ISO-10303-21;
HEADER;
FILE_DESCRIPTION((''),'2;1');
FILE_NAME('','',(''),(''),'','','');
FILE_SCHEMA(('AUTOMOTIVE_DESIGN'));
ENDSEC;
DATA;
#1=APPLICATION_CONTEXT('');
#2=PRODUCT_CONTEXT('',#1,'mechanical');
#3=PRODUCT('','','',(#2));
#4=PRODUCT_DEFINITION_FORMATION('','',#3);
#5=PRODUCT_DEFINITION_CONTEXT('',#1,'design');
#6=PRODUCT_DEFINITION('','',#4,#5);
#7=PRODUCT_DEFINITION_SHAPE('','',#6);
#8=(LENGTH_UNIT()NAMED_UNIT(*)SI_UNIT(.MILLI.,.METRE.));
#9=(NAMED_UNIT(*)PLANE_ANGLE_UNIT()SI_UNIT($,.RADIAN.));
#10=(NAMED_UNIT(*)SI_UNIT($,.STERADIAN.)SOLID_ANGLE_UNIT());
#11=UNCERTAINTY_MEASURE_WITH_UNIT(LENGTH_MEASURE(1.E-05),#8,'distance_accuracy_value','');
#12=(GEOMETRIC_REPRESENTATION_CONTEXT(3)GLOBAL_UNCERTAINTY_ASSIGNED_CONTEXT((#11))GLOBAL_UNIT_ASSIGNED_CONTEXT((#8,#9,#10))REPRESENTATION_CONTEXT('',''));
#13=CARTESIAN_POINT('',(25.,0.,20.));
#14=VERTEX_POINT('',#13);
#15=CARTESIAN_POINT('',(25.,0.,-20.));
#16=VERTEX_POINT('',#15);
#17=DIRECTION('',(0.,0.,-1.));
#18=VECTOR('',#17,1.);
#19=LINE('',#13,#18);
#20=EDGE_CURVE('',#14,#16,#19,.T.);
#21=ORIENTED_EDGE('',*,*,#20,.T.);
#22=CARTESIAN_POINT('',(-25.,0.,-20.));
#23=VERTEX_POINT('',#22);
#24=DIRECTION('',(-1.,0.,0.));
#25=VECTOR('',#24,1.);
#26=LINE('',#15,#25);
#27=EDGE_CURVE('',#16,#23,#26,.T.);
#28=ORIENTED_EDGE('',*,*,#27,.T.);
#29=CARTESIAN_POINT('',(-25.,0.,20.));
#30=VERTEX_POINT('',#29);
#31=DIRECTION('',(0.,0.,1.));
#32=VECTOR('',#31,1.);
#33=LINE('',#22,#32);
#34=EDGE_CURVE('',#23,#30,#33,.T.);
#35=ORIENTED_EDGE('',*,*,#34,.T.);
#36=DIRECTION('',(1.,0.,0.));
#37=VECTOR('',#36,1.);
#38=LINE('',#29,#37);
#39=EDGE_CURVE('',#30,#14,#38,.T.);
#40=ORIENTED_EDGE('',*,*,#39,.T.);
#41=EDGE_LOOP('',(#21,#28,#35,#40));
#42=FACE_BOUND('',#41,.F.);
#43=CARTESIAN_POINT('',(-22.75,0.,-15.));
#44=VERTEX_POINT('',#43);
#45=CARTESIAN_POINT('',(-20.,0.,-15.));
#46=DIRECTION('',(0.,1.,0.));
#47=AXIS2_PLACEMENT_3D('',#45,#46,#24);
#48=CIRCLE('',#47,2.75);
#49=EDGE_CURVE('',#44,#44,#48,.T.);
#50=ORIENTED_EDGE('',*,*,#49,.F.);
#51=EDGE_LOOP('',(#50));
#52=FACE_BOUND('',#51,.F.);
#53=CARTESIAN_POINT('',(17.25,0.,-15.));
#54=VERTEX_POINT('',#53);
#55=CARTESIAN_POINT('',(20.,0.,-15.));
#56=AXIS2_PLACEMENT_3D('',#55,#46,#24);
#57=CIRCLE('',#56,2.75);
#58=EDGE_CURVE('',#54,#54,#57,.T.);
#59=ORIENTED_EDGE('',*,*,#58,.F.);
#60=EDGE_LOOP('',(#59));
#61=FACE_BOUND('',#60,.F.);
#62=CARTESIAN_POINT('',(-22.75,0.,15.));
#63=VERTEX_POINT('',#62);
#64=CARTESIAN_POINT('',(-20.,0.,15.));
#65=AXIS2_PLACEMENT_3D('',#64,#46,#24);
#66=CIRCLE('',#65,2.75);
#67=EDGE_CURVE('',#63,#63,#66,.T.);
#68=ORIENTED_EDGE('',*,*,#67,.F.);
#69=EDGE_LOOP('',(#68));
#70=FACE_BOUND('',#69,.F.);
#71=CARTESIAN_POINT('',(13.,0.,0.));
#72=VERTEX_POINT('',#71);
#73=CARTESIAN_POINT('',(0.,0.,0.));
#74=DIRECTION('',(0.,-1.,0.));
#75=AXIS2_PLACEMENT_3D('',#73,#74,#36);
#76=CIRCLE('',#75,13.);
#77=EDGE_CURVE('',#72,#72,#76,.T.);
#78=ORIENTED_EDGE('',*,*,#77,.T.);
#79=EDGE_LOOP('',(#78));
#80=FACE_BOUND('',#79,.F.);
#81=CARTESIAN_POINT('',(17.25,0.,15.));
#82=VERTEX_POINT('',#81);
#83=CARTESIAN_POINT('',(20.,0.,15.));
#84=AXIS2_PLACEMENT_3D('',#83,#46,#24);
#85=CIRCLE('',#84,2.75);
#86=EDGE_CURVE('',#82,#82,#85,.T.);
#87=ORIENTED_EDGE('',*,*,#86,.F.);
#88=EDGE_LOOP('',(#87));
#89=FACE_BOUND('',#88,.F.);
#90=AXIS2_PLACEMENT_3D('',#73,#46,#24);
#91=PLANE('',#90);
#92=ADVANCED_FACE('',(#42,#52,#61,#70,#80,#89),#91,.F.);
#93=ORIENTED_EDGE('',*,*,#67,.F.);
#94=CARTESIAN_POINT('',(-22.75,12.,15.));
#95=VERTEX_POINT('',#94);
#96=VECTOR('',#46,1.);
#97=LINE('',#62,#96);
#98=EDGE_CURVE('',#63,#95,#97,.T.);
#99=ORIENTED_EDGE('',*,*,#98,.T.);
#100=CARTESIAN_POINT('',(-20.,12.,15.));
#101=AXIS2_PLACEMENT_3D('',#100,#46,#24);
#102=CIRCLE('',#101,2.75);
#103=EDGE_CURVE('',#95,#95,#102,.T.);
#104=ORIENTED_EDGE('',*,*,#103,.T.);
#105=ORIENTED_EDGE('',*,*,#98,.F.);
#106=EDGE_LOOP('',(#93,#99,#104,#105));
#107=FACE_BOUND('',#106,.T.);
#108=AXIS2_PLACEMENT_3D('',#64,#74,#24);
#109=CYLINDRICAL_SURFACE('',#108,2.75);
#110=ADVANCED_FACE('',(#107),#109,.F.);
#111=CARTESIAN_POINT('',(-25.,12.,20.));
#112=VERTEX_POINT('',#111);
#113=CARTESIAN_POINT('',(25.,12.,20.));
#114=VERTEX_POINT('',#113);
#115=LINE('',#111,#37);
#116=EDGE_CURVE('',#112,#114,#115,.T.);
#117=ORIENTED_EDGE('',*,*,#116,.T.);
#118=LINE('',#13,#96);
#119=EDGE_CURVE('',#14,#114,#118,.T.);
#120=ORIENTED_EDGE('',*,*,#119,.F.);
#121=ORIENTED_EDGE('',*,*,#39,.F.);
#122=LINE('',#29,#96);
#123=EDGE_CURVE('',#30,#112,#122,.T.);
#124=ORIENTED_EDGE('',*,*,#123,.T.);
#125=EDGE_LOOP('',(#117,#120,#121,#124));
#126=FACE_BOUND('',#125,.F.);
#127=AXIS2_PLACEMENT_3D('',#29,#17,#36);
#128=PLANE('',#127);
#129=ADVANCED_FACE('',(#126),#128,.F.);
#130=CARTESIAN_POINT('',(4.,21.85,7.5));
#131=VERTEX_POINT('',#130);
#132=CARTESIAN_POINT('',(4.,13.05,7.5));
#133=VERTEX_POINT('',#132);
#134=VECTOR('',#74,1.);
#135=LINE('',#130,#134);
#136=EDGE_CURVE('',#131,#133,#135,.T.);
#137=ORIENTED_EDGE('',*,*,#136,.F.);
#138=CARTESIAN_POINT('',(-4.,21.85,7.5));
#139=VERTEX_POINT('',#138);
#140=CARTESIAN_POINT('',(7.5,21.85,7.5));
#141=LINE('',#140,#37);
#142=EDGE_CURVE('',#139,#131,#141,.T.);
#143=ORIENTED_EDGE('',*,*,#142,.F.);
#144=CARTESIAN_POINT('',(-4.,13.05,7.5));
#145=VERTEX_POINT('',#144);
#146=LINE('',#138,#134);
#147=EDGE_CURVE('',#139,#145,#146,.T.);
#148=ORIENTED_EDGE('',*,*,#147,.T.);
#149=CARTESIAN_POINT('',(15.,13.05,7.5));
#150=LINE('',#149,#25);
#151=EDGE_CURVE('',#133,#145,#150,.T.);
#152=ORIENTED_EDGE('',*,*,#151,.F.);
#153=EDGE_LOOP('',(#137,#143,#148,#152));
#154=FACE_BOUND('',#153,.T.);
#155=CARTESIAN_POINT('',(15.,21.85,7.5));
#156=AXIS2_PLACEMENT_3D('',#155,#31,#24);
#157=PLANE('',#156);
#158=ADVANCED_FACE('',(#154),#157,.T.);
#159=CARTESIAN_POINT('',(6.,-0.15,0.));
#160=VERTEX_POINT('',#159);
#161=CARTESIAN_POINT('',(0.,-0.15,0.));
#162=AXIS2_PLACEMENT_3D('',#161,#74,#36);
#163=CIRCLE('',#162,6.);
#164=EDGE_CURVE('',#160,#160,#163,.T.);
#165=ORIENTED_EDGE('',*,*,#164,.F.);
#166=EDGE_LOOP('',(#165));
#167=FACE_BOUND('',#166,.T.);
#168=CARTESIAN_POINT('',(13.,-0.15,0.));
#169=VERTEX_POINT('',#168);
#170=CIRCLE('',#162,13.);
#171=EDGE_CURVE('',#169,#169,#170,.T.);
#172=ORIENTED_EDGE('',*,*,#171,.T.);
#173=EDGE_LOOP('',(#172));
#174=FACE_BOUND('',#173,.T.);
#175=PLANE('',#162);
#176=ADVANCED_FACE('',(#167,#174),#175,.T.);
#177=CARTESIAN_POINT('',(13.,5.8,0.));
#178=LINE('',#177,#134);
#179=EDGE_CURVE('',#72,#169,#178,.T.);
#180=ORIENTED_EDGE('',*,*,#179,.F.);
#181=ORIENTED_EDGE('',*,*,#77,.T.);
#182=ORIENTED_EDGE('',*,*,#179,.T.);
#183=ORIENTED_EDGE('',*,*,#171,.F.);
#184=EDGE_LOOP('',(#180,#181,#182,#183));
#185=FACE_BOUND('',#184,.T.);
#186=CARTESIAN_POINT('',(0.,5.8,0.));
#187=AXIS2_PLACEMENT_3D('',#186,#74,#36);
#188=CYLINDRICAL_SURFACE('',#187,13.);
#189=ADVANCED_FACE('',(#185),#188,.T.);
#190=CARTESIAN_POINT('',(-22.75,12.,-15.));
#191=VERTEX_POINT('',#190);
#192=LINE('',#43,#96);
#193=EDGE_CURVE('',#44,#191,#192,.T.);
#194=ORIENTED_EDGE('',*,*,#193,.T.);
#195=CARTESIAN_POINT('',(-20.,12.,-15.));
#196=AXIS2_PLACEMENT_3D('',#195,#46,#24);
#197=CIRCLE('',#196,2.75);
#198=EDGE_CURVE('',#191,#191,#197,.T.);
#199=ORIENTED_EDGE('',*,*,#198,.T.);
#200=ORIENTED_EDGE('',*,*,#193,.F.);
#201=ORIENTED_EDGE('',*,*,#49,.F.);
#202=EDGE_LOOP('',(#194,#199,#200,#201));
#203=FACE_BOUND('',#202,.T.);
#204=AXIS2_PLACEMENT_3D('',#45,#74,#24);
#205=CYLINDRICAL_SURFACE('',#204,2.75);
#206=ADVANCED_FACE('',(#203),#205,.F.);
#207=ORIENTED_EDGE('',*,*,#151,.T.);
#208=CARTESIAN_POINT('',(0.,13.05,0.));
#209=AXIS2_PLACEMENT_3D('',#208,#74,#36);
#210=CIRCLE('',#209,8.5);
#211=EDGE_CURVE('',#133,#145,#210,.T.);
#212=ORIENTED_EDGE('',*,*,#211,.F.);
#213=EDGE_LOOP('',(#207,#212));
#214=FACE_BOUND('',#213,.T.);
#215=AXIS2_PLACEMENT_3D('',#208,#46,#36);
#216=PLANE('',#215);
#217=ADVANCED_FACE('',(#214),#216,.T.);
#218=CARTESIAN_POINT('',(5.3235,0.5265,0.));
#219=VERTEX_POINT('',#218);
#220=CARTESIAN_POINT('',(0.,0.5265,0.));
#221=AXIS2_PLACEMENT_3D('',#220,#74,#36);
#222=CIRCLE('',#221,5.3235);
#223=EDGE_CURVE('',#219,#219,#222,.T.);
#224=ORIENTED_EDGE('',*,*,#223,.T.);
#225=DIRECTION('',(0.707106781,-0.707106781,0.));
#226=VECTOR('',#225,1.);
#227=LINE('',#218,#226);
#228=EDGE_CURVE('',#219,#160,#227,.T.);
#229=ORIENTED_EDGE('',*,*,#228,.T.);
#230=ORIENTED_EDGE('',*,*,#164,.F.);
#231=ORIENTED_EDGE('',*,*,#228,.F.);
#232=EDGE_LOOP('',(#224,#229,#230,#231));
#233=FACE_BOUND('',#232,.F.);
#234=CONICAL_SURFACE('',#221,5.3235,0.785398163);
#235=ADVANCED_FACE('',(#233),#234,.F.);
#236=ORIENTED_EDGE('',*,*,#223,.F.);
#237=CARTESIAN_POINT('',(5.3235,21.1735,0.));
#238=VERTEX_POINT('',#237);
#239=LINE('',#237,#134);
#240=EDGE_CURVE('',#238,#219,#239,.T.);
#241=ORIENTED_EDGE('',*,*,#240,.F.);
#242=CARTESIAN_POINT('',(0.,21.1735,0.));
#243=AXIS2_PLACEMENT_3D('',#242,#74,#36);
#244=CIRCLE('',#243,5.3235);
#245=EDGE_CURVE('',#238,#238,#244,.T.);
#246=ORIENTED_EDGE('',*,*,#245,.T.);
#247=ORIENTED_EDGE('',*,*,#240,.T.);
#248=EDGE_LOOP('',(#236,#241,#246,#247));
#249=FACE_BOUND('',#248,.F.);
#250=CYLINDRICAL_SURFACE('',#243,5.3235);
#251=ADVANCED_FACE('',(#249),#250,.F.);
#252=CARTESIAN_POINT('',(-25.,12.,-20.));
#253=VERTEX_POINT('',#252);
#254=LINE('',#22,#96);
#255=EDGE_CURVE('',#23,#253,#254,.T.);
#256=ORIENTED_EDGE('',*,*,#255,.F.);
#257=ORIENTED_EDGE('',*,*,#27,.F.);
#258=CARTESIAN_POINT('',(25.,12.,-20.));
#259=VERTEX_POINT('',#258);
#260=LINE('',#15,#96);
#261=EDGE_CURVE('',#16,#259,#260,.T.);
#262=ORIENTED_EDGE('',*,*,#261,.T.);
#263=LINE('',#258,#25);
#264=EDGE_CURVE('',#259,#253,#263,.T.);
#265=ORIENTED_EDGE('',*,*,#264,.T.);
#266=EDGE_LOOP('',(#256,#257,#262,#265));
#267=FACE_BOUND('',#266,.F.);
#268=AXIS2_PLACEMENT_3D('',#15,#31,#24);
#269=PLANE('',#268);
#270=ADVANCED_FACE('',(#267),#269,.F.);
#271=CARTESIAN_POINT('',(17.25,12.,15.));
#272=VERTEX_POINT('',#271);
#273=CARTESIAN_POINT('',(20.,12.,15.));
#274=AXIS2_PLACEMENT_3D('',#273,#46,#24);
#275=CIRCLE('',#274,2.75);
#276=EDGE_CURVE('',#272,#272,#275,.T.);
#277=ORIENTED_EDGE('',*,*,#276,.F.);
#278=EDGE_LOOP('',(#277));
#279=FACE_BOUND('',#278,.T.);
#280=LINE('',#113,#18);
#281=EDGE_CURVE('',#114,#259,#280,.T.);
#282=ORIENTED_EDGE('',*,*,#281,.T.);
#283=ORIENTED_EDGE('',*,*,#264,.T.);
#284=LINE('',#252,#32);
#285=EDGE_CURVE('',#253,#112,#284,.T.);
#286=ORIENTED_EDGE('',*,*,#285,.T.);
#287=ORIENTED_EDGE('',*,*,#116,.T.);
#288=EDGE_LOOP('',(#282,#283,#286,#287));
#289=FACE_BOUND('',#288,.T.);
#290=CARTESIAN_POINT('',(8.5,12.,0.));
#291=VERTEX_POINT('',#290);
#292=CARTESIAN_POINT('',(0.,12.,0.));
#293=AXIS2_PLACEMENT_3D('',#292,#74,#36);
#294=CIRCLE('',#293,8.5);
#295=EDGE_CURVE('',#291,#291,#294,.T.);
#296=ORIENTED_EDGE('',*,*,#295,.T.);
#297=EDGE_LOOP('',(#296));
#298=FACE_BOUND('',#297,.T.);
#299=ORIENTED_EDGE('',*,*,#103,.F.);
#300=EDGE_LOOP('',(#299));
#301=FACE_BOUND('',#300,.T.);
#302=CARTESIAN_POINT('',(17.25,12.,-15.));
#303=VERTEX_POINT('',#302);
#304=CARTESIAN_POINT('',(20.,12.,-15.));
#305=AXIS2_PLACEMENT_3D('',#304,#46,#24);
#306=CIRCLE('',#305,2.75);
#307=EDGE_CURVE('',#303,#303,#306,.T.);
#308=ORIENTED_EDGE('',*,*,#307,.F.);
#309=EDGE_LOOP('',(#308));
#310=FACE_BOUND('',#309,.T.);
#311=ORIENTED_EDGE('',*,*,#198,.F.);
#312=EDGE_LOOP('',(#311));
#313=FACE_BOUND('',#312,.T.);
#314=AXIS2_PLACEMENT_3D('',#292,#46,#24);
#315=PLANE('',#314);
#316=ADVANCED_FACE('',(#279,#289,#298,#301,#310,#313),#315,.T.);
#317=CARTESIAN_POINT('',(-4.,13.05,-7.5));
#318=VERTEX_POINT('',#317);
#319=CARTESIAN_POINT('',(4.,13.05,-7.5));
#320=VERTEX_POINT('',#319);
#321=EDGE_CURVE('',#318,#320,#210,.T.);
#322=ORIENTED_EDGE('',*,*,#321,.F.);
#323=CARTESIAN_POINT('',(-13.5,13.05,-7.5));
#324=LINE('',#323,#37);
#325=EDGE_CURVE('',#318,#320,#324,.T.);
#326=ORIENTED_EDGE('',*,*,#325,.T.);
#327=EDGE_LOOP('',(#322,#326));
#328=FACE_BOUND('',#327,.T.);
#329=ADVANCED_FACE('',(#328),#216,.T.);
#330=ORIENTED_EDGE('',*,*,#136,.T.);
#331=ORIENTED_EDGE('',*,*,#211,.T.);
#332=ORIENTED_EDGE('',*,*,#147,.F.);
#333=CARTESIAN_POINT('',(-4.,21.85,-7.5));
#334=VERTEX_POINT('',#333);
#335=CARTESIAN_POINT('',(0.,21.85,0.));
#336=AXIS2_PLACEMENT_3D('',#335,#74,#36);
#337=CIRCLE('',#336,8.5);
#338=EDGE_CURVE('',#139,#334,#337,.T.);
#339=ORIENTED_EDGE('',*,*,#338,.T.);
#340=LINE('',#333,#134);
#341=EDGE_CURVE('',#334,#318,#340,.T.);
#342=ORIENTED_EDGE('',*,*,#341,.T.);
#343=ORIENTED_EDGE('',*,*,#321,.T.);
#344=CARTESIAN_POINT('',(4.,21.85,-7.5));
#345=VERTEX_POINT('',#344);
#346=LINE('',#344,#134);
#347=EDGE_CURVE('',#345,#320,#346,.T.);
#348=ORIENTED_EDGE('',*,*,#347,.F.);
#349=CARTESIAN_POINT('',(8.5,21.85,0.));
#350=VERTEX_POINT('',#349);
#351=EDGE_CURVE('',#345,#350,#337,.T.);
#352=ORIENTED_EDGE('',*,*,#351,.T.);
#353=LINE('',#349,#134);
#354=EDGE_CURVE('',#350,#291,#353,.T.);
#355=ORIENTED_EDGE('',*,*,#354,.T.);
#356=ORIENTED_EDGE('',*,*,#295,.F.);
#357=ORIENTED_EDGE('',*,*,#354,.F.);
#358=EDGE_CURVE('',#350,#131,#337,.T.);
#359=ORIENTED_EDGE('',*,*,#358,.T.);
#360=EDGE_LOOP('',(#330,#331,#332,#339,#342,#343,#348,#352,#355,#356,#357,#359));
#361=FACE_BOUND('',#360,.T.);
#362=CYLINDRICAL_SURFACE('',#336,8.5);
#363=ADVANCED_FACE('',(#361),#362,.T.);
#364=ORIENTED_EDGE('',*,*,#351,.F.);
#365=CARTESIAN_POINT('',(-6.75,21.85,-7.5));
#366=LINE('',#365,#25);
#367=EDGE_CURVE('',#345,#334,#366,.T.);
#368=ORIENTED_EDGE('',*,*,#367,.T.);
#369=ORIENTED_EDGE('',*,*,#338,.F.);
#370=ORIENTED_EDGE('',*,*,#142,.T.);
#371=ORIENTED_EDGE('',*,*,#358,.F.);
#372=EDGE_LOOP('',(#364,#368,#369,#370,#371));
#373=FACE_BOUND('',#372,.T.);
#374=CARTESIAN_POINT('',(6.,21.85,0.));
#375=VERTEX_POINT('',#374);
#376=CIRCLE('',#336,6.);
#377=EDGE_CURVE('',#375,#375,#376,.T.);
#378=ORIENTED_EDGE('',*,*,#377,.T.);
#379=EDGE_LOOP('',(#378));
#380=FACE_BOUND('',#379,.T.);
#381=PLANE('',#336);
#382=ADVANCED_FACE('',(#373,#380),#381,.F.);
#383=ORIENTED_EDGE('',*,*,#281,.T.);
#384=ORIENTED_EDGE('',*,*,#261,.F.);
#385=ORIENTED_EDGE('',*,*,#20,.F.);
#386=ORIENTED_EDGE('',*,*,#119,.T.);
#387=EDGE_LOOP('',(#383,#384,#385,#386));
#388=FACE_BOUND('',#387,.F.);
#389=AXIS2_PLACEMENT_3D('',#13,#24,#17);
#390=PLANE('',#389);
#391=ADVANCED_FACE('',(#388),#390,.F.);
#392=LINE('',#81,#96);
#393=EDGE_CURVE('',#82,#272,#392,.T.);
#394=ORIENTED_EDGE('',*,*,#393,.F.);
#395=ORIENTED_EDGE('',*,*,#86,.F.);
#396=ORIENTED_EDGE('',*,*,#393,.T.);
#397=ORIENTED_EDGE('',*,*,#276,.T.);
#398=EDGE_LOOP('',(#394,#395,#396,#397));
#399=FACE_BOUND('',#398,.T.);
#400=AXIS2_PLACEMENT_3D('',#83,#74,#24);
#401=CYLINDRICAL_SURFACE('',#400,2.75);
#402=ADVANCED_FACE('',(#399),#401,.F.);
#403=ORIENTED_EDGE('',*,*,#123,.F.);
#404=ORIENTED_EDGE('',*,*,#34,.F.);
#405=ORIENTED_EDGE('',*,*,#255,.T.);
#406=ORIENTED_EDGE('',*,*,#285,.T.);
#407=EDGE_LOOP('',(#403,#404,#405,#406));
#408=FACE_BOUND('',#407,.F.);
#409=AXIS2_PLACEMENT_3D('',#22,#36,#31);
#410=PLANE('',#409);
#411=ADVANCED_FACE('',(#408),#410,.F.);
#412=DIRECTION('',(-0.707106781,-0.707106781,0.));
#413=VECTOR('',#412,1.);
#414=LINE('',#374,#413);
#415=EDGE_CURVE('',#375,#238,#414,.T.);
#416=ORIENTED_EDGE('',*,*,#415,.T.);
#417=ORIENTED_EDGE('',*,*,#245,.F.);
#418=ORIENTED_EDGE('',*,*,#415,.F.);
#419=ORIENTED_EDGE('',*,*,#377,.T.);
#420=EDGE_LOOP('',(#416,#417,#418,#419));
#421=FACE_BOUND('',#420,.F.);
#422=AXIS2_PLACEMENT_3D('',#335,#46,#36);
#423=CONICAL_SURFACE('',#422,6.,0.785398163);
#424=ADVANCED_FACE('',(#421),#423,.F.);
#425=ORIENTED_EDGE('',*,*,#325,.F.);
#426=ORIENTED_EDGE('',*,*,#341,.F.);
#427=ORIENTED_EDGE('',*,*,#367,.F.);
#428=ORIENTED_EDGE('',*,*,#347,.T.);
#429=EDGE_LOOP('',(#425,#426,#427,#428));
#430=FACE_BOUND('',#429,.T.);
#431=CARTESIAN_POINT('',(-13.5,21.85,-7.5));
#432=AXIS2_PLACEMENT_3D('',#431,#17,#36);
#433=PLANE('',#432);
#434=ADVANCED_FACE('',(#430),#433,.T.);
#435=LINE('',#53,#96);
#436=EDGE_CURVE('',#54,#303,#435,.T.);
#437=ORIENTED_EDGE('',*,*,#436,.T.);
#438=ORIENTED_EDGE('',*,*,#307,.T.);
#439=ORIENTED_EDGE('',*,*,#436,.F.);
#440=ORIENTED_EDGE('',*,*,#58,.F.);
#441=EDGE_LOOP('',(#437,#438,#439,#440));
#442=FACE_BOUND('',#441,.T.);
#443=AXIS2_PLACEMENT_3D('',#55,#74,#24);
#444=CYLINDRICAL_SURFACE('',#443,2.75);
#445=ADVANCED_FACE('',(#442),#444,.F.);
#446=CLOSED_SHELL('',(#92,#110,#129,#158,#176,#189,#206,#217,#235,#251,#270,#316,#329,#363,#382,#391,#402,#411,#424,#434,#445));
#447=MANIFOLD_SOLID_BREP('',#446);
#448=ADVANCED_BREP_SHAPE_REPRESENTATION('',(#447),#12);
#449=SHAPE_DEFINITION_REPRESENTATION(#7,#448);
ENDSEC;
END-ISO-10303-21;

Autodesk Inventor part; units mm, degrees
sketch "Skizze_1" plane through (0, 0, 0) normal (0, 1, 0) x (-1, 0, 0)
  line L0 (25, 20) -> (-25, 20)
  line L1 (-25, 20) -> (-25, -20)
  line L2 (-25, -20) -> (25, -20)
  line L3 (25, -20) -> (25, 20)
  circle A0 centre (-20, -15) radius 2.75
  circle A1 centre (-20, 15) radius 2.75
  circle A2 centre (20, -15) radius 2.75
  circle A3 centre (20, 15) radius 2.75
extrude "Extrusion1" add sketch "Skizze_1" along normal blind 12
sketch "Skizze_2" plane through (0, 0, 0) normal (0, 0, 1) x (1, 0, 0)
  line L0 (0, -0.15) -> (0, 21.85)
  line L1 (0, 21.85) -> (8.5, 21.85)
  line L2 (8.5, 21.85) -> (8.5, 5.8)
  line L3 (8.5, 5.8) -> (13, 5.8)
  line L4 (13, 5.8) -> (13, -0.15)
  line L5 (13, -0.15) -> (0, -0.15)
  line L6 (0, -0.15) -> (0, 21.85)
revolve "Revolution1" add sketch "Skizze_2" angle 360 about axis through (0, -0.15, 0) along (0, -1, 0)
sketch "Skizze_3" plane through (0, 21.85, 0) normal (0, 1, 0) x (1, 0, 0)
  line L0 (-15, -15) -> (15, -15)
  line L1 (15, -15) -> (15, -7.5)
  line L2 (15, -7.5) -> (-13.5, -7.5)
  line L3 (-13.5, -7.5) -> (-13.5, 7.5)
  line L4 (-13.5, 7.5) -> (15, 7.5)
  line L5 (15, 7.5) -> (15, 15)
  line L6 (15, 15) -> (-15, 15)
  line L7 (-15, 15) -> (-15, -15)
extrude "Extrusion2" cut sketch "Skizze_3" along normal mid plane 17.6
sketch "Skizze_6" plane through (0, 0, 0) normal (0, 0, 1) x (1, 0, 0)
  line L0 (0, -0.15) -> (0, 21.85)
  line L1 (0, 21.85) -> (6, 21.85)
  line L2 (6, 21.85) -> (5.3235, 21.1735)
  line L3 (5.3235, 21.1735) -> (5.3235, 0.5265)
  line L4 (5.3235, 0.5265) -> (6, -0.15)
  line L5 (6, -0.15) -> (0, -0.15)
  line L6 (0, -0.15) -> (0, 21.85)
revolve "Revolution2" cut sketch "Skizze_6" angle 360 about axis through (0, -0.15, 0) along (0, -1, 0)
thread "Thread1" size "M12x1.25" class "6H" standard "ISO Metric profile" full length
ref_plane "FDT_CYLINDER_XY" through (0, 22, 0) normal (0, 1, 0) x (1, 0, 0)
ref_plane "FDT_CYLINDER_YZ" through (0, 22, 0) normal (1, 0, 0) x (0, 0, -1)
ref_plane "FDT_CYLINDER_ZX" through (0, 22, 0) normal (0, 0, -1) x (0, 1, 0)
properties part number "36126 KSZ-M12x1,25"
